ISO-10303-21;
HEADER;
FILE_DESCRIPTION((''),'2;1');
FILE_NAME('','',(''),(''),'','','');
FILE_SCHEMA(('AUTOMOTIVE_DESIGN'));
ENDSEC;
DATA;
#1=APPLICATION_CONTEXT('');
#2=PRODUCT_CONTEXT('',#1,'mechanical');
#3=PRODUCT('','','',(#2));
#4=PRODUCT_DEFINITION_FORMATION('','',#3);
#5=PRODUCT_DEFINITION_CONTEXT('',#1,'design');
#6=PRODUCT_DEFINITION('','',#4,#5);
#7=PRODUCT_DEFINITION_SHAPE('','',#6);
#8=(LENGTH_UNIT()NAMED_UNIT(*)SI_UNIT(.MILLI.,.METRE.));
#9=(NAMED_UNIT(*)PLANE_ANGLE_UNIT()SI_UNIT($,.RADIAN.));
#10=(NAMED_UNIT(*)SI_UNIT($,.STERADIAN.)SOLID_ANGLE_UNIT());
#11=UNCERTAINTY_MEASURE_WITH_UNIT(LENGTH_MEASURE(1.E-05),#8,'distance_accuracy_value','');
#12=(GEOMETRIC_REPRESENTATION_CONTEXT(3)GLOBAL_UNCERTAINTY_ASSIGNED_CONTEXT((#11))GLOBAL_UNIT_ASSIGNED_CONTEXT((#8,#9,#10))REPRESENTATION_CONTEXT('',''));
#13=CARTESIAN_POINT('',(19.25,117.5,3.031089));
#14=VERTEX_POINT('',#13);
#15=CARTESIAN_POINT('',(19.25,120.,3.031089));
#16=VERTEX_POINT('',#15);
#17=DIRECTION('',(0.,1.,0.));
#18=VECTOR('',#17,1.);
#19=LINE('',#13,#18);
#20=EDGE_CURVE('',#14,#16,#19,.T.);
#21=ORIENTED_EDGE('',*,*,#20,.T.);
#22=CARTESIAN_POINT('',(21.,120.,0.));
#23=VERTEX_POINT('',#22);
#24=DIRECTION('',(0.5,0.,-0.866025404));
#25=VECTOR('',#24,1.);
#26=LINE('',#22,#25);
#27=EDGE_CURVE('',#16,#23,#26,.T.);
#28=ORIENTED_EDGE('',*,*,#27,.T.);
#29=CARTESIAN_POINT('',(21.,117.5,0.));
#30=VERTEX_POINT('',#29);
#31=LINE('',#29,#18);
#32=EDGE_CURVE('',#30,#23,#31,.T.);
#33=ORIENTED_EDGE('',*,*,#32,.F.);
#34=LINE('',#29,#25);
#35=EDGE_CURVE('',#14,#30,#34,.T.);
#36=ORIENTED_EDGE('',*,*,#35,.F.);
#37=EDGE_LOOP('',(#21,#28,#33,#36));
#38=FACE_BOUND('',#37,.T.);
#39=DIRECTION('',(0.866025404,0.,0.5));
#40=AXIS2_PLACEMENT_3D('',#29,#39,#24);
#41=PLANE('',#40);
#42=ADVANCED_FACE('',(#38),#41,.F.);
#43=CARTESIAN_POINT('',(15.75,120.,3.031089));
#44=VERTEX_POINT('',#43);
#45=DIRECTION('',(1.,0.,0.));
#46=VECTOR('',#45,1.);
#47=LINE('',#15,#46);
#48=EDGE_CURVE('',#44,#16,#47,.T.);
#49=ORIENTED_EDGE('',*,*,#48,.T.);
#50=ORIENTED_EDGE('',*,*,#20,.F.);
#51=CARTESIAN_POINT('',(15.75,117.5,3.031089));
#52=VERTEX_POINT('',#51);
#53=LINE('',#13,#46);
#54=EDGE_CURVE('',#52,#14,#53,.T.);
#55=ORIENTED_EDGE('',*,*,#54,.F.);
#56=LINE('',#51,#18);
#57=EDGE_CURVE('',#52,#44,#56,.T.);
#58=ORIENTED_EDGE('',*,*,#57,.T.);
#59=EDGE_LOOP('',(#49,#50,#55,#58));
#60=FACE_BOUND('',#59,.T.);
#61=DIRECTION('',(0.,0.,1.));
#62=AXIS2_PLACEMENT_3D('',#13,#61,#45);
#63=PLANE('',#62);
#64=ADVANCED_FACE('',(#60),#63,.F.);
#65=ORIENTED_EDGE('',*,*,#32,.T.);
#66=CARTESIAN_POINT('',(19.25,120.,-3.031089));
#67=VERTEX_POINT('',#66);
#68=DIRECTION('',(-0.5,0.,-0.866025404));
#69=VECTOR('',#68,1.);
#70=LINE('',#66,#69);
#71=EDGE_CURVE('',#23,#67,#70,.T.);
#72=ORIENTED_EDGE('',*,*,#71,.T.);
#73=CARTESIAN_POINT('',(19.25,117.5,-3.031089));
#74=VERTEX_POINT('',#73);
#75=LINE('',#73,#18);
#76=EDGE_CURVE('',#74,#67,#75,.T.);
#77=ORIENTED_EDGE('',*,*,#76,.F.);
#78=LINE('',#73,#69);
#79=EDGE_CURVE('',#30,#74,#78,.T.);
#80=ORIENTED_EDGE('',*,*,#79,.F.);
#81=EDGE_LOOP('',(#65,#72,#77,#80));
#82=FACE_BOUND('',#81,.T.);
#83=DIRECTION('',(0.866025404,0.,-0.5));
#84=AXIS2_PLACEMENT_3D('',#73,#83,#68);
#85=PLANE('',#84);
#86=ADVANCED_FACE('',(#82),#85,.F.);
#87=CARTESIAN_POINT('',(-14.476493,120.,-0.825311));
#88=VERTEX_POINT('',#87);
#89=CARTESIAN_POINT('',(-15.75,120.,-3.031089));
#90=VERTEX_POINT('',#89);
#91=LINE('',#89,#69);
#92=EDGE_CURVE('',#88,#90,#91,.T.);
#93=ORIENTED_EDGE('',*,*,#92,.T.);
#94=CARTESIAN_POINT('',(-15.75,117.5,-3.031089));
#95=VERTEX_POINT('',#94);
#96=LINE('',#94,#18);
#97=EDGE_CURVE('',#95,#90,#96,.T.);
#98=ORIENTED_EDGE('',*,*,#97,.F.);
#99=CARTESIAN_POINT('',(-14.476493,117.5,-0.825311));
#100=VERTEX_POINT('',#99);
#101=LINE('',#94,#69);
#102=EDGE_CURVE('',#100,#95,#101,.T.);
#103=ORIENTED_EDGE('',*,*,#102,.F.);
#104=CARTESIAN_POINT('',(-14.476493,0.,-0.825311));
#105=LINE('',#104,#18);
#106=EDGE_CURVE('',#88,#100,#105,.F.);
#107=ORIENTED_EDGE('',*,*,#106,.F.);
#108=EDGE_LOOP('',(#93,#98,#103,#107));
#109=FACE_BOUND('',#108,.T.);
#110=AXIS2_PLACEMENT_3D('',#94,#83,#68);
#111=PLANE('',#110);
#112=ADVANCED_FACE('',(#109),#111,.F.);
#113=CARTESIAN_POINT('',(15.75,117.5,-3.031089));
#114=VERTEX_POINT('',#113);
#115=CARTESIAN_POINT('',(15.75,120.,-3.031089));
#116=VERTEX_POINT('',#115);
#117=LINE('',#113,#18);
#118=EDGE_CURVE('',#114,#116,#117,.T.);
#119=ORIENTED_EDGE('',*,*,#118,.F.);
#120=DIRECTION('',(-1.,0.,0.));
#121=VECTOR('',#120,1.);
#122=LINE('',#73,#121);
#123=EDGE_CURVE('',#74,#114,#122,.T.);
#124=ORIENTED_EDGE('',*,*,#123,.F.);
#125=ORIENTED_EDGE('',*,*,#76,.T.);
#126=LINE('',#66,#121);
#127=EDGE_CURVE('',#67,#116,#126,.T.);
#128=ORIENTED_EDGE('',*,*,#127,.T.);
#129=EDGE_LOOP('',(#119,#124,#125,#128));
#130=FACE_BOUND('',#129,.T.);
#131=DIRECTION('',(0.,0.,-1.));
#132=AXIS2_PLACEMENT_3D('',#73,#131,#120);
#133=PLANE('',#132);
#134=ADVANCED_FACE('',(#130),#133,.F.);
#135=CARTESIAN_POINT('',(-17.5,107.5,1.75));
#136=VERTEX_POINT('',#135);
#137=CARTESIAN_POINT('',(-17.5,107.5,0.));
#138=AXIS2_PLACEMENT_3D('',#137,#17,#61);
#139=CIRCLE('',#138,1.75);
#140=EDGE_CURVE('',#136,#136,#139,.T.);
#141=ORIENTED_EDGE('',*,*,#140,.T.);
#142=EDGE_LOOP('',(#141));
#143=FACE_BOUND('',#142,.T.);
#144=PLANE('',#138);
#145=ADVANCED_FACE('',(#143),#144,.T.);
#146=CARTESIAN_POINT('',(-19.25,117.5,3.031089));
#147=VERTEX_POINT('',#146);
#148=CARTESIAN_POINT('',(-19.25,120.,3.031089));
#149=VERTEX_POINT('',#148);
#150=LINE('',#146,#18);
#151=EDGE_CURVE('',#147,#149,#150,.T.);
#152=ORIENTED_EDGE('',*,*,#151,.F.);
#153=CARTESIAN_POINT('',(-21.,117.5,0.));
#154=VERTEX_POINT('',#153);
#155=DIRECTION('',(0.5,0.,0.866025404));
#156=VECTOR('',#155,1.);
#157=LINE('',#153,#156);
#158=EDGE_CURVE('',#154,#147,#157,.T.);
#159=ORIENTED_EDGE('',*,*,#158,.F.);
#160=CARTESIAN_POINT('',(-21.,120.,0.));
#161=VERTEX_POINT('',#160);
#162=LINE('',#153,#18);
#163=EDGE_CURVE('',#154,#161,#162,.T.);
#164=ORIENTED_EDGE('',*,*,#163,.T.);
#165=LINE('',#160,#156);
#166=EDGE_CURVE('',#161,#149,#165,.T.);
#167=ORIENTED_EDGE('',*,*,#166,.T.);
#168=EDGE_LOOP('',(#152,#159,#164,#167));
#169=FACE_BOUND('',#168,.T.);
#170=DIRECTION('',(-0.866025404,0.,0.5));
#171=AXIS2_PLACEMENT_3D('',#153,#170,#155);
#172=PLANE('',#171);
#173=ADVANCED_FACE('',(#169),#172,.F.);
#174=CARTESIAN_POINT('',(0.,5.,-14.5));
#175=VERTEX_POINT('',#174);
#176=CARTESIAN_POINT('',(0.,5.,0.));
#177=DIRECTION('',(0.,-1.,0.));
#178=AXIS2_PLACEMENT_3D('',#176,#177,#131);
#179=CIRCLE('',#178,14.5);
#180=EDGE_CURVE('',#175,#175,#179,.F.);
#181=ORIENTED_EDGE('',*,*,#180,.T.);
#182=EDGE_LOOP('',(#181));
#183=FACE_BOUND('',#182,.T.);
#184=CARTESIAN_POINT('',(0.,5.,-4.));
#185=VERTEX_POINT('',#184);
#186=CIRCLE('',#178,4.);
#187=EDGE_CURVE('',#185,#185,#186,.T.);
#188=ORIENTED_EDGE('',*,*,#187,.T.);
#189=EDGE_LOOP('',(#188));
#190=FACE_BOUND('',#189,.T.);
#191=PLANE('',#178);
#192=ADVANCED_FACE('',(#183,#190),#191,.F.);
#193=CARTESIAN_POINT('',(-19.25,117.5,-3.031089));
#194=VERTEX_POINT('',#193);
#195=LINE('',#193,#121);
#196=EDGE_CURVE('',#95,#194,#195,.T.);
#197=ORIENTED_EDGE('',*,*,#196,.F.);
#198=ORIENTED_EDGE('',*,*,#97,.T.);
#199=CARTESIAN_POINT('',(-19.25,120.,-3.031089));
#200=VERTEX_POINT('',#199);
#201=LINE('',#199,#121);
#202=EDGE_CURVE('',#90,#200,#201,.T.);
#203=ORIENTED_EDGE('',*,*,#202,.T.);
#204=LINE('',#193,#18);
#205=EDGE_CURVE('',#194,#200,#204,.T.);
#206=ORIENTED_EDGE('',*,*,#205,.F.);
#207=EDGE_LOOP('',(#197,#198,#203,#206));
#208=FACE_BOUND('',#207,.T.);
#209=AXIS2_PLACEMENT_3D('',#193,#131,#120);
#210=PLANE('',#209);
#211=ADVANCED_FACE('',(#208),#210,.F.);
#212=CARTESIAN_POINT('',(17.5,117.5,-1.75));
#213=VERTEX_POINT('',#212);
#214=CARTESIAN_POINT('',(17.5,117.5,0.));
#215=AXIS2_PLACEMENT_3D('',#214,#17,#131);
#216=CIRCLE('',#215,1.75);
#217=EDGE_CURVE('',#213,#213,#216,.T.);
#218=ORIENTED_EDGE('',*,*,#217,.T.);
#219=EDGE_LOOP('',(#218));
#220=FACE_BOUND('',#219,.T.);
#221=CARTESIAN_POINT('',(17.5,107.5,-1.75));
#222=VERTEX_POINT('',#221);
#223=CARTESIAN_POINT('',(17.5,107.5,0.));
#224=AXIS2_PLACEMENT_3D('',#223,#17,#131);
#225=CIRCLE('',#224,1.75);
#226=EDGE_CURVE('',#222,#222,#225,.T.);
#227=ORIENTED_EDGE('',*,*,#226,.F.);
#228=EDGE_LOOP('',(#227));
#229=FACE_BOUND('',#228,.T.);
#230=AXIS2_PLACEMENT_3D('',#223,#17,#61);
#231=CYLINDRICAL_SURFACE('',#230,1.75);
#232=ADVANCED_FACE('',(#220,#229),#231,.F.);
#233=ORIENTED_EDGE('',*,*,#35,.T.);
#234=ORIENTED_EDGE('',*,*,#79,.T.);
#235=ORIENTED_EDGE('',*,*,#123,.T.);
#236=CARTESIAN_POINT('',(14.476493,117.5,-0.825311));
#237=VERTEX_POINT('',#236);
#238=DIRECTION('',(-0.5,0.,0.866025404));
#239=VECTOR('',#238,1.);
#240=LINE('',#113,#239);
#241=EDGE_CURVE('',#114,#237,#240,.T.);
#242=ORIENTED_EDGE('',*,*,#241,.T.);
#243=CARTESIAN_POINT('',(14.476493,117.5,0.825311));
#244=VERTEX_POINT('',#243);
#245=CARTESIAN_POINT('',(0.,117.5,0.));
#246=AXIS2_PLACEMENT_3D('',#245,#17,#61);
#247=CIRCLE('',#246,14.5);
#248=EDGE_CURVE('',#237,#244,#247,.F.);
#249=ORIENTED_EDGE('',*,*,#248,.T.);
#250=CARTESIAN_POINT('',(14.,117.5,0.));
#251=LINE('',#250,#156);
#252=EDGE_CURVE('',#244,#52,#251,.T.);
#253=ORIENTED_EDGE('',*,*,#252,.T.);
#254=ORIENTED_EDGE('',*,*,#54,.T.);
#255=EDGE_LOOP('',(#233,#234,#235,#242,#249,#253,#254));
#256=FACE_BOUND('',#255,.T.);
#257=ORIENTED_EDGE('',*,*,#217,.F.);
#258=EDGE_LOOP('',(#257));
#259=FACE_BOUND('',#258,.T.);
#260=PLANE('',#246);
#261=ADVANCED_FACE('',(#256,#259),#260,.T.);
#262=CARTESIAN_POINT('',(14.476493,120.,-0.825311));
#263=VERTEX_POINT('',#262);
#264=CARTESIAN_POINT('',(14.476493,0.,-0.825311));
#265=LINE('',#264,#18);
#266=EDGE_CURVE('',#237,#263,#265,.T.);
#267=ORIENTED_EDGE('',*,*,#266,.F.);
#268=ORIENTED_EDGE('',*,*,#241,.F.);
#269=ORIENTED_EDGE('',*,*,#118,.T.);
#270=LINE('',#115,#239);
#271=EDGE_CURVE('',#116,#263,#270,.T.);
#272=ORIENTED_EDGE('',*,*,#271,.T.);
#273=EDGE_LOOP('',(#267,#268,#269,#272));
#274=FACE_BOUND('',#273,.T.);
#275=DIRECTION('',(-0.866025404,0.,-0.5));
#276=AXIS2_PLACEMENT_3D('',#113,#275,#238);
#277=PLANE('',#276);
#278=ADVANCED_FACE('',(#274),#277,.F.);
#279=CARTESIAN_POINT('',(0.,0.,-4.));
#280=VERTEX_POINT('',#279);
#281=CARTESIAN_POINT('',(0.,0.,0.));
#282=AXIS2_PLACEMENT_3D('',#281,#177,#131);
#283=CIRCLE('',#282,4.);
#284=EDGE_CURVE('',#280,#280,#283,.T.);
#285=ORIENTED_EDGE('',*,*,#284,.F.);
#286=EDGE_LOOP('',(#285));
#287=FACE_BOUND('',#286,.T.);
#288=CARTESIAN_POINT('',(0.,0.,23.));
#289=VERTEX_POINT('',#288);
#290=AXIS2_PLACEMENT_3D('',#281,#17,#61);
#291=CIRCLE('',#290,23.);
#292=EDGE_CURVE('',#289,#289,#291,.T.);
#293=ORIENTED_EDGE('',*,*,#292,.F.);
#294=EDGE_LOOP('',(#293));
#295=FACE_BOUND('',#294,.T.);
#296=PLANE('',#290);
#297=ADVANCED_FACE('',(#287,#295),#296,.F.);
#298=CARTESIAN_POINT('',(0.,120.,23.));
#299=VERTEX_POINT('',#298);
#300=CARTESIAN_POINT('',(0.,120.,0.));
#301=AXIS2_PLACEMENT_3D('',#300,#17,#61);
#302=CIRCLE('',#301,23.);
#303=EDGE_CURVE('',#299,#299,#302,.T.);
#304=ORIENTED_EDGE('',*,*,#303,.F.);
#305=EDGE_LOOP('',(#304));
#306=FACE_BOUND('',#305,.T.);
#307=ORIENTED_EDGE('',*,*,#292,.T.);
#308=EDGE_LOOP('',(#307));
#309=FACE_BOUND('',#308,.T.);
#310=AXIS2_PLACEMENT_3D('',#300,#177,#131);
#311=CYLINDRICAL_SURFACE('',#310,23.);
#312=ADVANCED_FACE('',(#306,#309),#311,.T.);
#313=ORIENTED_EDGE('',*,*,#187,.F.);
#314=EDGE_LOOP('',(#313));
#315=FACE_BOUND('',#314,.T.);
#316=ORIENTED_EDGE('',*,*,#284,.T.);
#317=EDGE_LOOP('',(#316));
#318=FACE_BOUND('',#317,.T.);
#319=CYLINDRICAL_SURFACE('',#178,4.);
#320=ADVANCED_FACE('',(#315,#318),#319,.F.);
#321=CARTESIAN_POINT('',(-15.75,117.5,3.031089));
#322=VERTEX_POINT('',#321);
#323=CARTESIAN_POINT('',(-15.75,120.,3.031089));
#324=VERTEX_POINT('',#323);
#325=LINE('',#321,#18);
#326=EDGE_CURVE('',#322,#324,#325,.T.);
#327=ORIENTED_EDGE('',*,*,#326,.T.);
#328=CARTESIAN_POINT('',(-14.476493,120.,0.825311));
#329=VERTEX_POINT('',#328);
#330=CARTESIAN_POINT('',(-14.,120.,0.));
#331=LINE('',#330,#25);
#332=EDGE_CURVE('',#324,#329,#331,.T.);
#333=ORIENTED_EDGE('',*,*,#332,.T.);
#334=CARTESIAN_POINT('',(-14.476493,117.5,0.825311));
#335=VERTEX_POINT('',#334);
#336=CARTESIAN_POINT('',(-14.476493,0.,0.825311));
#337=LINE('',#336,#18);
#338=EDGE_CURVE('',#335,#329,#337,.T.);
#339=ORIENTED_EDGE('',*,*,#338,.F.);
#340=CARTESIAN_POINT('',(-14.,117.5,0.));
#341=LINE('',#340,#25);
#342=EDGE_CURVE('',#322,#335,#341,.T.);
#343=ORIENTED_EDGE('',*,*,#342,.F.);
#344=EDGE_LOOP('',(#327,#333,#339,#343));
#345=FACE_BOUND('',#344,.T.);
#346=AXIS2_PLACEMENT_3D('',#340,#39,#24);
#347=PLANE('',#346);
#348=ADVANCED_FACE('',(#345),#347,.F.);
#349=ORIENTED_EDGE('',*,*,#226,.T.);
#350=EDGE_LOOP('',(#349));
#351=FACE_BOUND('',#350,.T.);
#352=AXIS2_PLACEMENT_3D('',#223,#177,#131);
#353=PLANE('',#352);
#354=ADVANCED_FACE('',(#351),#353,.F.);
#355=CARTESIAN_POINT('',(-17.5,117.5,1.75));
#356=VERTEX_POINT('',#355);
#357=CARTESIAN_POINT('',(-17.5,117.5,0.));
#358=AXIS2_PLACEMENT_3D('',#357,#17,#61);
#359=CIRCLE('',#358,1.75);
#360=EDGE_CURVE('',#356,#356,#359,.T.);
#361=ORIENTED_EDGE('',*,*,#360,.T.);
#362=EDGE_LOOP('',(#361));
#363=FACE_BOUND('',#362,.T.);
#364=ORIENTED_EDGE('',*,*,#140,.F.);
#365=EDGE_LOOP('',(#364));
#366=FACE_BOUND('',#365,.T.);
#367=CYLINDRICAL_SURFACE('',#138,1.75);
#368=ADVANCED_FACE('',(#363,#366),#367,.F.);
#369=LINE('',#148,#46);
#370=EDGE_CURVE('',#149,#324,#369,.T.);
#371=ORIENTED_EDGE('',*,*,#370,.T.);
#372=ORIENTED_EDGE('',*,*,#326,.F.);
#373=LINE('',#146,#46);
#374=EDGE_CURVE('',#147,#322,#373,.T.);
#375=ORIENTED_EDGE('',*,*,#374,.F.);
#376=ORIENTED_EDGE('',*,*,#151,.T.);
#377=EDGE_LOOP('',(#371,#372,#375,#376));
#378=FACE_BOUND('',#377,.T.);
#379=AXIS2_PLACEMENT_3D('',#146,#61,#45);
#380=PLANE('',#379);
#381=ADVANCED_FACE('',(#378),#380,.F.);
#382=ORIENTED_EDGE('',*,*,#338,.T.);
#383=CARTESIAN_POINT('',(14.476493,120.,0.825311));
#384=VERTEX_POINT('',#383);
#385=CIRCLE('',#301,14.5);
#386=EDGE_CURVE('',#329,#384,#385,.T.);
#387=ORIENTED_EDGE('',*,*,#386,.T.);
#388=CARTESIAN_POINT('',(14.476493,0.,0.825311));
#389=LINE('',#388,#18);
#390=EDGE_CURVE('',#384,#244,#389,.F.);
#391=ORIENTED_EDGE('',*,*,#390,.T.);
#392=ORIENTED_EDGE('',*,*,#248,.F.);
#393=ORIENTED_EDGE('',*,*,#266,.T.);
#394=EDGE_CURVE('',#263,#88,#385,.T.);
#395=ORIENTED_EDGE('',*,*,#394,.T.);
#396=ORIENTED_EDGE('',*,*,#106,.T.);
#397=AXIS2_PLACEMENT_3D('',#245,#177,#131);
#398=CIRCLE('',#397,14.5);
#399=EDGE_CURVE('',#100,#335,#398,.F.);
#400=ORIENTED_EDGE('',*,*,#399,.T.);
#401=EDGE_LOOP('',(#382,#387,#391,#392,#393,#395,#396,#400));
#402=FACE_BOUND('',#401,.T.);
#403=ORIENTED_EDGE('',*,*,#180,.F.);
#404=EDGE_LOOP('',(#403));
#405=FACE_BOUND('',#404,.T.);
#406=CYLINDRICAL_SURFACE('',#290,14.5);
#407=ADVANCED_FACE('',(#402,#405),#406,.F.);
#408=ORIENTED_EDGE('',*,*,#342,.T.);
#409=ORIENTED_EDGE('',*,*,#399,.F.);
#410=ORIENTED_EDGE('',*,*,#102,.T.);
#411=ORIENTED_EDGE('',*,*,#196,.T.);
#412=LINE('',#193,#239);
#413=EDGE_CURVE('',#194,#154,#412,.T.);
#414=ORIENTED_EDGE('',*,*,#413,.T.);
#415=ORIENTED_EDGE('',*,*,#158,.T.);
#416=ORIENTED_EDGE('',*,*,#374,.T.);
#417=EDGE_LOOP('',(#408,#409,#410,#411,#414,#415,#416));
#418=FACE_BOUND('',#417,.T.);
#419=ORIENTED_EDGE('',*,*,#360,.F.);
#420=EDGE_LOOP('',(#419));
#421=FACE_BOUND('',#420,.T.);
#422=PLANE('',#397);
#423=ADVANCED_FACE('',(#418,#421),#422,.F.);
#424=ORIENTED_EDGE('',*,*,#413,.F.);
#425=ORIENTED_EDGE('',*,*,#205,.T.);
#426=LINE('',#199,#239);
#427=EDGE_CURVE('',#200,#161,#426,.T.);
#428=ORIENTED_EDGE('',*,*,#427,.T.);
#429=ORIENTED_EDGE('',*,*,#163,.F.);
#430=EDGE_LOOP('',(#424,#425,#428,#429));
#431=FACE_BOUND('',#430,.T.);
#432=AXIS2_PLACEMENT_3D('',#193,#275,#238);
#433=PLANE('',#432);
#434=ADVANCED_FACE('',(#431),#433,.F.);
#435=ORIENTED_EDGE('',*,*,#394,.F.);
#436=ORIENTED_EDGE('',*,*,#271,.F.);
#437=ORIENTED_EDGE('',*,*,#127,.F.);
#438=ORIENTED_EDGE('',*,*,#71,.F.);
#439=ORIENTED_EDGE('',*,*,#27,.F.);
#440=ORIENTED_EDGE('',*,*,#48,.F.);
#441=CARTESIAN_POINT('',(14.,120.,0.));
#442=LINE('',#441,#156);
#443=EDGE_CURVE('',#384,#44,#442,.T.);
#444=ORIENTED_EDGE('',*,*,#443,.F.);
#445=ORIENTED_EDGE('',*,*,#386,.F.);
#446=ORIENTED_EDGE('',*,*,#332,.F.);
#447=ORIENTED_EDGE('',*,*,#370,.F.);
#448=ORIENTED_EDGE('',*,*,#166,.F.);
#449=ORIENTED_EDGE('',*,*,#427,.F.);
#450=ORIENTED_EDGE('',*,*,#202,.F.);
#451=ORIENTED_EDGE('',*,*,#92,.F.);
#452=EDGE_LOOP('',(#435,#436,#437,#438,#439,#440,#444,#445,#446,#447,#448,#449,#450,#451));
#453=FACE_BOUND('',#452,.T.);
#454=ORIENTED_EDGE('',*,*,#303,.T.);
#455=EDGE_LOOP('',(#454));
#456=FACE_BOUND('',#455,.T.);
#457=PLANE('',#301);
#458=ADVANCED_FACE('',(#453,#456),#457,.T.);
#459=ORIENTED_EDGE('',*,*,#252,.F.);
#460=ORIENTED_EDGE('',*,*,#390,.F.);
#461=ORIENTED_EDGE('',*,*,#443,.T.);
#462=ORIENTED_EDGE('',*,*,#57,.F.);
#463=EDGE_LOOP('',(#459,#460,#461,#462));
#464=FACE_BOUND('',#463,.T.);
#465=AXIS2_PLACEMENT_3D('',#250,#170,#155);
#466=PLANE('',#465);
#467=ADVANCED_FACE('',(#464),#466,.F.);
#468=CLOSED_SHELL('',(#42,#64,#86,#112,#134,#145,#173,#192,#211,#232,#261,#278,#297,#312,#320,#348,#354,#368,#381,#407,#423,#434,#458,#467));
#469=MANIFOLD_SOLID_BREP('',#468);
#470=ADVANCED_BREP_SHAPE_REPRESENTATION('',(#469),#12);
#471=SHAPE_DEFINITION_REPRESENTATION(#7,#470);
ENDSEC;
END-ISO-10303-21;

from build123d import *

# Parameters (mm, degrees)
SKETCH1_R           = 23
BOSS_EXTRUDE1_DEPTH = 120
SKETCH2_R           = 14.5
CUT_EXTRUDE1_DEPTH  = 120
CUT_EXTRUDE2_DEPTH  = 2.5
SKETCH5_R           = 1.75
CUT_EXTRUDE3_DEPTH  = 10
BOSS_EXTRUDE2_START = -5
SKETCH6_R           = 14.5
BOSS_EXTRUDE2_DEPTH = 5
SKETCH7_R           = 4
CUT_EXTRUDE4_DEPTH  = 5


with BuildPart() as part:
    # Sketch1 → Boss-Extrude1 (new body)
    with BuildSketch(Plane(origin=(0, 0, 0), x_dir=(1, 0, 0), z_dir=(0, 1, 0))):
        Circle(SKETCH1_R)
    extrude(amount=BOSS_EXTRUDE1_DEPTH)

    # Sketch2 → Cut-Extrude1 (cut)
    with BuildSketch(Plane(origin=(0, 120, 0), x_dir=(1, 0, 0), z_dir=(0, 1, 0))):
        Circle(SKETCH2_R)
    extrude(amount=-CUT_EXTRUDE1_DEPTH, mode=Mode.SUBTRACT)

    # Sketch4 → Cut-Extrude2 (cut)
    with BuildSketch(Plane(origin=(0, 120, 0), x_dir=(1, 0, 0), z_dir=(0, 1, 0))):
        Polygon((-14, 0), (-15.75, -3.031088913), (-19.25, -3.031088913), (-21, 0), (-19.25, 3.031088913), (-15.75, 3.031088913), align=None)
        Polygon((19.25, 3.031088913), (15.75, 3.031088913), (14, 0), (15.75, -3.031088913), (19.25, -3.031088913), (21, 0), align=None)
    extrude(amount=-CUT_EXTRUDE2_DEPTH, mode=Mode.SUBTRACT)

    # Sketch5 → Cut-Extrude3 (cut)
    with BuildSketch(Plane(origin=(0, 117.5, 0), x_dir=(1, 0, 0), z_dir=(0, 1, 0))):
        with Locations((-17.5, 0)):
            Circle(SKETCH5_R)
        with Locations((17.5, 0)):
            Circle(SKETCH5_R)
    extrude(amount=-CUT_EXTRUDE3_DEPTH, mode=Mode.SUBTRACT)

    # Sketch6 → Boss-Extrude2 (add)
    with BuildSketch(Plane(origin=(0, 0, 0), x_dir=(-1, 0, 0), z_dir=(0, -1, 0)).offset(BOSS_EXTRUDE2_START)):
        Circle(SKETCH6_R)
    extrude(amount=BOSS_EXTRUDE2_DEPTH)

    # Sketch7 → Cut-Extrude4 (cut)
    with BuildSketch(Plane.XZ):
        Circle(SKETCH7_R)
    extrude(amount=-CUT_EXTRUDE4_DEPTH, mode=Mode.SUBTRACT)


solid = part.part
